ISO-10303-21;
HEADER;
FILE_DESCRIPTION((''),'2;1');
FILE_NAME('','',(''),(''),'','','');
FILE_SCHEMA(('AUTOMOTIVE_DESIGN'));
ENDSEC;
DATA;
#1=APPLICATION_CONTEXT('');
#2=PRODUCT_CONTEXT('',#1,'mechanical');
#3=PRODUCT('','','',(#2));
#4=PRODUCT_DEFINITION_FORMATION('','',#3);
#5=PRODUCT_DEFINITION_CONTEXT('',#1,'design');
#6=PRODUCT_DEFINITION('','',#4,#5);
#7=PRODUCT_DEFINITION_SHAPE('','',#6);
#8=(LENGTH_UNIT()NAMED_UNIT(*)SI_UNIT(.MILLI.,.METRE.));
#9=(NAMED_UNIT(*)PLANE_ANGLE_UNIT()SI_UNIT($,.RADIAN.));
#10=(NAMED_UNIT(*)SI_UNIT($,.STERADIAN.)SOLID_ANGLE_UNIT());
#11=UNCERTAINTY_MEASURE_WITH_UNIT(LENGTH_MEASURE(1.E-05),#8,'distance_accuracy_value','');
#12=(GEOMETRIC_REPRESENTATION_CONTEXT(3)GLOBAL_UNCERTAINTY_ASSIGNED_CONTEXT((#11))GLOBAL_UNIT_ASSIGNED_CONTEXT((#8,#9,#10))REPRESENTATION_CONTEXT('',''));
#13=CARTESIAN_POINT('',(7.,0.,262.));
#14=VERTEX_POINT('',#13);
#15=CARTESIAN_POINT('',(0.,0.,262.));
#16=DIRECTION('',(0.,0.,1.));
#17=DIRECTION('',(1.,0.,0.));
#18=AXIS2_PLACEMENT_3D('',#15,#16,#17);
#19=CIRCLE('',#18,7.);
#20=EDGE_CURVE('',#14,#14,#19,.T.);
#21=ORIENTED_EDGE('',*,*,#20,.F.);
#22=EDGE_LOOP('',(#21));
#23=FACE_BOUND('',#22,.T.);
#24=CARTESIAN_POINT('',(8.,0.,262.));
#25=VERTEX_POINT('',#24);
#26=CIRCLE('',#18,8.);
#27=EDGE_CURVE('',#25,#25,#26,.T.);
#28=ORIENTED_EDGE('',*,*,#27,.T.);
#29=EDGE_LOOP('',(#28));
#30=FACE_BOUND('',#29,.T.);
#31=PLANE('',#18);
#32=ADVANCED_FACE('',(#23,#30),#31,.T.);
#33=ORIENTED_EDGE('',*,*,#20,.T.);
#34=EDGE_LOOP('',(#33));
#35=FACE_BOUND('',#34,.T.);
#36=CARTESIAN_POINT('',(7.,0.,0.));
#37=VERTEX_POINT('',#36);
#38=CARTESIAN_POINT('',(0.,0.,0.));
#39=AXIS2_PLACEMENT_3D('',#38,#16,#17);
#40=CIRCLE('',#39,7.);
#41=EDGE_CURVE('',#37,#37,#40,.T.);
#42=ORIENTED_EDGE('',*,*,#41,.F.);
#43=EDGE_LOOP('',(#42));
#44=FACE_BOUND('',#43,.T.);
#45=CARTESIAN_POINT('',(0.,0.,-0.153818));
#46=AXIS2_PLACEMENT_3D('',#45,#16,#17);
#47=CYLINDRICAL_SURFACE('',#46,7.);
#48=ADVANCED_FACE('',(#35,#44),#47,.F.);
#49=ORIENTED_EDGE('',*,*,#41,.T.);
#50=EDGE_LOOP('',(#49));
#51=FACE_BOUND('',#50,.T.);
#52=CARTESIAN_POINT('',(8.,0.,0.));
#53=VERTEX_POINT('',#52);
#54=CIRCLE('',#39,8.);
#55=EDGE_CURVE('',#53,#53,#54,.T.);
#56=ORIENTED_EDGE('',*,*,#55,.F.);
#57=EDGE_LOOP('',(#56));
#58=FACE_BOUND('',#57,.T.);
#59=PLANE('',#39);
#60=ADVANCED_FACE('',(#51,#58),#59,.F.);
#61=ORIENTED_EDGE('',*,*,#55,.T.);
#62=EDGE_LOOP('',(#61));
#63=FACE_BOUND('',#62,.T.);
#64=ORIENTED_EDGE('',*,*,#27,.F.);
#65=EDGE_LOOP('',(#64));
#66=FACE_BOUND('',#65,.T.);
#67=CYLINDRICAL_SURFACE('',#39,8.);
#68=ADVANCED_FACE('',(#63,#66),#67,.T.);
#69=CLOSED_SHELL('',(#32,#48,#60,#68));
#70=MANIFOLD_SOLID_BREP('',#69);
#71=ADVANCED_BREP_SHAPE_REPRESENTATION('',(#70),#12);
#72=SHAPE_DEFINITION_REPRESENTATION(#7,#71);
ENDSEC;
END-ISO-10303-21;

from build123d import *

# Parameters (mm, degrees)
SKETCH1_R               = 8
SKETCH2_R               = 8
CUT_EXTRUDE2_DEPTH      = 263.244161147
CUT_EXTRUDE2_DEPTH_BACK = 263.244161147
SKETCH3_R               = 7


with BuildPart() as part:
    # Sketch1 → Loft3 section 0
    with BuildSketch(Plane.XY):
        Circle(SKETCH1_R)
    # Sketch2 → Loft3 section 1
    with BuildSketch(Plane.XY.offset(262)):
        Circle(SKETCH2_R)
    loft()

    # Sketch3 → Cut-Extrude2 (cut, two sides: drawn at the far end of the back side and taken through both)
    with BuildSketch(Plane.XY.offset(-CUT_EXTRUDE2_DEPTH_BACK)):
        Circle(SKETCH3_R)
    extrude(amount=CUT_EXTRUDE2_DEPTH + CUT_EXTRUDE2_DEPTH_BACK, mode=Mode.SUBTRACT)


solid = part.part
